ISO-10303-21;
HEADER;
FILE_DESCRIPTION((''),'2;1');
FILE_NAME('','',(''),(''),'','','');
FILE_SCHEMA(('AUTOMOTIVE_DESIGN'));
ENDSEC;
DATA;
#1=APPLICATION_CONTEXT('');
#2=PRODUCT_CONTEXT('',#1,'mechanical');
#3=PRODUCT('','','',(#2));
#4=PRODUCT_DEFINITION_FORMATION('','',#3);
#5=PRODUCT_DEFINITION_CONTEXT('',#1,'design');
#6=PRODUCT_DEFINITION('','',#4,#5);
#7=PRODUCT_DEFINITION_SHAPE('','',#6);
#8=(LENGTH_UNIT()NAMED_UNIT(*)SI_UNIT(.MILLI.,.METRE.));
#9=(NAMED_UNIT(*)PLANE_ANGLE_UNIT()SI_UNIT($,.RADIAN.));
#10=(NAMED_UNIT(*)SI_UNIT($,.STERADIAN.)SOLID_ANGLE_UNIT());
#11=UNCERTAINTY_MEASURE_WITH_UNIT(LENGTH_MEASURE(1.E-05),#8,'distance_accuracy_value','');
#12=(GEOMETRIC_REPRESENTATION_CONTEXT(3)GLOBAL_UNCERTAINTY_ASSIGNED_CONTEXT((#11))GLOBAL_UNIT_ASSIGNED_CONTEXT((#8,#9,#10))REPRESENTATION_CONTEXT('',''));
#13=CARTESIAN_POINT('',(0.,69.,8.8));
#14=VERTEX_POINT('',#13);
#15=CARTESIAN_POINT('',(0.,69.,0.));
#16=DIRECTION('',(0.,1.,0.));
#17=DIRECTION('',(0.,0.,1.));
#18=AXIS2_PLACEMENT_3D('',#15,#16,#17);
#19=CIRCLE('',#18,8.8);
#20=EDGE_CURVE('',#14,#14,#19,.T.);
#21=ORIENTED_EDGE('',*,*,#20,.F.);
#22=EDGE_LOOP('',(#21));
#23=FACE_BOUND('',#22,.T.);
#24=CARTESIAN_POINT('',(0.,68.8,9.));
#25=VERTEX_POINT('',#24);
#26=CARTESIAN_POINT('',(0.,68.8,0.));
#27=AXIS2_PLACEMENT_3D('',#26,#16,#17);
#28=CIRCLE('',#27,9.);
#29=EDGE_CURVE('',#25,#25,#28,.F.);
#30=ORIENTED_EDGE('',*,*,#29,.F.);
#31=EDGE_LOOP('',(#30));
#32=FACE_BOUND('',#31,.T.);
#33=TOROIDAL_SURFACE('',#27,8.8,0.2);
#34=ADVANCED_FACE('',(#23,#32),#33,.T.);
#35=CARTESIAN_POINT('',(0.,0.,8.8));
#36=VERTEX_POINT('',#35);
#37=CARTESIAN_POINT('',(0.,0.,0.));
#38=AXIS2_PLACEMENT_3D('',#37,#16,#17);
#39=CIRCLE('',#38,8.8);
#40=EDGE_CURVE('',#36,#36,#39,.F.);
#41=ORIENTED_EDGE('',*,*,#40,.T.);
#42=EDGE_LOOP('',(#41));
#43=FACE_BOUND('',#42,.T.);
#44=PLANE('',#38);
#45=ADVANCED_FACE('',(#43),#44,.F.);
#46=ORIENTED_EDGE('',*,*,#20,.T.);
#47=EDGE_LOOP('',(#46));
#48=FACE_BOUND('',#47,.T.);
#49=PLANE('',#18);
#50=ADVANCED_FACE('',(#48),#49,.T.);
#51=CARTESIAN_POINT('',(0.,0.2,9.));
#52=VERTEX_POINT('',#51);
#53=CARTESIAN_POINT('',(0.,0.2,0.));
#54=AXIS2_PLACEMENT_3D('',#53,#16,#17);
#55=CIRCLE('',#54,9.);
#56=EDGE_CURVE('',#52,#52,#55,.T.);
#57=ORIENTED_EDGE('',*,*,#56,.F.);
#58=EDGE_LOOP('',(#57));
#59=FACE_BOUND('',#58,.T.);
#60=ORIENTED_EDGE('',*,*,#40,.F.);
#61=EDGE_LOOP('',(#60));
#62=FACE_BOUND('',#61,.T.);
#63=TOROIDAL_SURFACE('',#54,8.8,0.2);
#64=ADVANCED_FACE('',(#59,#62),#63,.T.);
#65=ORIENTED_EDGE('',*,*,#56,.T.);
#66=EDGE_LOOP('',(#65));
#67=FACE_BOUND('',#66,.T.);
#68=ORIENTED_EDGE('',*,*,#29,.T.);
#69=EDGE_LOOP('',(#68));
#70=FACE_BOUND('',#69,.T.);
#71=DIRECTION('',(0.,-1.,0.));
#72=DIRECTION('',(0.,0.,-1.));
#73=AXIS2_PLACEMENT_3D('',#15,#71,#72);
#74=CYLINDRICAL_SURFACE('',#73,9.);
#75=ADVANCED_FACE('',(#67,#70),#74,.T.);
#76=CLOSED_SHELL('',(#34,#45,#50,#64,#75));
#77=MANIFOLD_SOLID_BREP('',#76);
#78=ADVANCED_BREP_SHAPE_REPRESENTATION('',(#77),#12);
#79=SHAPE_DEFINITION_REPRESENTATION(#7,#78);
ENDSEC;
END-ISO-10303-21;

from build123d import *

# Parameters (mm, degrees)
CROQUIS1_R              = 9
SALIENTE_EXTRUIR1_DEPTH = 69
REDONDEO1_R             = 0.2


with BuildPart() as part:
    # Croquis1 → Saliente-Extruir1 (new body)
    with BuildSketch(Plane(origin=(0, 0, 0), x_dir=(1, 0, 0), z_dir=(0, 1, 0))):
        with Locations(Location((0, 0, 0), (0, 0, 270))):
            Circle(CROQUIS1_R)
    extrude(amount=SALIENTE_EXTRUIR1_DEPTH)

    # Redondeo1
    redondeo1_edges = [part.edges().sort_by_distance(p)[0] for p in [
        (0, 0, -9),
        (0, 69, -9),
    ]]
    fillet(redondeo1_edges, radius=REDONDEO1_R)


solid = part.part
